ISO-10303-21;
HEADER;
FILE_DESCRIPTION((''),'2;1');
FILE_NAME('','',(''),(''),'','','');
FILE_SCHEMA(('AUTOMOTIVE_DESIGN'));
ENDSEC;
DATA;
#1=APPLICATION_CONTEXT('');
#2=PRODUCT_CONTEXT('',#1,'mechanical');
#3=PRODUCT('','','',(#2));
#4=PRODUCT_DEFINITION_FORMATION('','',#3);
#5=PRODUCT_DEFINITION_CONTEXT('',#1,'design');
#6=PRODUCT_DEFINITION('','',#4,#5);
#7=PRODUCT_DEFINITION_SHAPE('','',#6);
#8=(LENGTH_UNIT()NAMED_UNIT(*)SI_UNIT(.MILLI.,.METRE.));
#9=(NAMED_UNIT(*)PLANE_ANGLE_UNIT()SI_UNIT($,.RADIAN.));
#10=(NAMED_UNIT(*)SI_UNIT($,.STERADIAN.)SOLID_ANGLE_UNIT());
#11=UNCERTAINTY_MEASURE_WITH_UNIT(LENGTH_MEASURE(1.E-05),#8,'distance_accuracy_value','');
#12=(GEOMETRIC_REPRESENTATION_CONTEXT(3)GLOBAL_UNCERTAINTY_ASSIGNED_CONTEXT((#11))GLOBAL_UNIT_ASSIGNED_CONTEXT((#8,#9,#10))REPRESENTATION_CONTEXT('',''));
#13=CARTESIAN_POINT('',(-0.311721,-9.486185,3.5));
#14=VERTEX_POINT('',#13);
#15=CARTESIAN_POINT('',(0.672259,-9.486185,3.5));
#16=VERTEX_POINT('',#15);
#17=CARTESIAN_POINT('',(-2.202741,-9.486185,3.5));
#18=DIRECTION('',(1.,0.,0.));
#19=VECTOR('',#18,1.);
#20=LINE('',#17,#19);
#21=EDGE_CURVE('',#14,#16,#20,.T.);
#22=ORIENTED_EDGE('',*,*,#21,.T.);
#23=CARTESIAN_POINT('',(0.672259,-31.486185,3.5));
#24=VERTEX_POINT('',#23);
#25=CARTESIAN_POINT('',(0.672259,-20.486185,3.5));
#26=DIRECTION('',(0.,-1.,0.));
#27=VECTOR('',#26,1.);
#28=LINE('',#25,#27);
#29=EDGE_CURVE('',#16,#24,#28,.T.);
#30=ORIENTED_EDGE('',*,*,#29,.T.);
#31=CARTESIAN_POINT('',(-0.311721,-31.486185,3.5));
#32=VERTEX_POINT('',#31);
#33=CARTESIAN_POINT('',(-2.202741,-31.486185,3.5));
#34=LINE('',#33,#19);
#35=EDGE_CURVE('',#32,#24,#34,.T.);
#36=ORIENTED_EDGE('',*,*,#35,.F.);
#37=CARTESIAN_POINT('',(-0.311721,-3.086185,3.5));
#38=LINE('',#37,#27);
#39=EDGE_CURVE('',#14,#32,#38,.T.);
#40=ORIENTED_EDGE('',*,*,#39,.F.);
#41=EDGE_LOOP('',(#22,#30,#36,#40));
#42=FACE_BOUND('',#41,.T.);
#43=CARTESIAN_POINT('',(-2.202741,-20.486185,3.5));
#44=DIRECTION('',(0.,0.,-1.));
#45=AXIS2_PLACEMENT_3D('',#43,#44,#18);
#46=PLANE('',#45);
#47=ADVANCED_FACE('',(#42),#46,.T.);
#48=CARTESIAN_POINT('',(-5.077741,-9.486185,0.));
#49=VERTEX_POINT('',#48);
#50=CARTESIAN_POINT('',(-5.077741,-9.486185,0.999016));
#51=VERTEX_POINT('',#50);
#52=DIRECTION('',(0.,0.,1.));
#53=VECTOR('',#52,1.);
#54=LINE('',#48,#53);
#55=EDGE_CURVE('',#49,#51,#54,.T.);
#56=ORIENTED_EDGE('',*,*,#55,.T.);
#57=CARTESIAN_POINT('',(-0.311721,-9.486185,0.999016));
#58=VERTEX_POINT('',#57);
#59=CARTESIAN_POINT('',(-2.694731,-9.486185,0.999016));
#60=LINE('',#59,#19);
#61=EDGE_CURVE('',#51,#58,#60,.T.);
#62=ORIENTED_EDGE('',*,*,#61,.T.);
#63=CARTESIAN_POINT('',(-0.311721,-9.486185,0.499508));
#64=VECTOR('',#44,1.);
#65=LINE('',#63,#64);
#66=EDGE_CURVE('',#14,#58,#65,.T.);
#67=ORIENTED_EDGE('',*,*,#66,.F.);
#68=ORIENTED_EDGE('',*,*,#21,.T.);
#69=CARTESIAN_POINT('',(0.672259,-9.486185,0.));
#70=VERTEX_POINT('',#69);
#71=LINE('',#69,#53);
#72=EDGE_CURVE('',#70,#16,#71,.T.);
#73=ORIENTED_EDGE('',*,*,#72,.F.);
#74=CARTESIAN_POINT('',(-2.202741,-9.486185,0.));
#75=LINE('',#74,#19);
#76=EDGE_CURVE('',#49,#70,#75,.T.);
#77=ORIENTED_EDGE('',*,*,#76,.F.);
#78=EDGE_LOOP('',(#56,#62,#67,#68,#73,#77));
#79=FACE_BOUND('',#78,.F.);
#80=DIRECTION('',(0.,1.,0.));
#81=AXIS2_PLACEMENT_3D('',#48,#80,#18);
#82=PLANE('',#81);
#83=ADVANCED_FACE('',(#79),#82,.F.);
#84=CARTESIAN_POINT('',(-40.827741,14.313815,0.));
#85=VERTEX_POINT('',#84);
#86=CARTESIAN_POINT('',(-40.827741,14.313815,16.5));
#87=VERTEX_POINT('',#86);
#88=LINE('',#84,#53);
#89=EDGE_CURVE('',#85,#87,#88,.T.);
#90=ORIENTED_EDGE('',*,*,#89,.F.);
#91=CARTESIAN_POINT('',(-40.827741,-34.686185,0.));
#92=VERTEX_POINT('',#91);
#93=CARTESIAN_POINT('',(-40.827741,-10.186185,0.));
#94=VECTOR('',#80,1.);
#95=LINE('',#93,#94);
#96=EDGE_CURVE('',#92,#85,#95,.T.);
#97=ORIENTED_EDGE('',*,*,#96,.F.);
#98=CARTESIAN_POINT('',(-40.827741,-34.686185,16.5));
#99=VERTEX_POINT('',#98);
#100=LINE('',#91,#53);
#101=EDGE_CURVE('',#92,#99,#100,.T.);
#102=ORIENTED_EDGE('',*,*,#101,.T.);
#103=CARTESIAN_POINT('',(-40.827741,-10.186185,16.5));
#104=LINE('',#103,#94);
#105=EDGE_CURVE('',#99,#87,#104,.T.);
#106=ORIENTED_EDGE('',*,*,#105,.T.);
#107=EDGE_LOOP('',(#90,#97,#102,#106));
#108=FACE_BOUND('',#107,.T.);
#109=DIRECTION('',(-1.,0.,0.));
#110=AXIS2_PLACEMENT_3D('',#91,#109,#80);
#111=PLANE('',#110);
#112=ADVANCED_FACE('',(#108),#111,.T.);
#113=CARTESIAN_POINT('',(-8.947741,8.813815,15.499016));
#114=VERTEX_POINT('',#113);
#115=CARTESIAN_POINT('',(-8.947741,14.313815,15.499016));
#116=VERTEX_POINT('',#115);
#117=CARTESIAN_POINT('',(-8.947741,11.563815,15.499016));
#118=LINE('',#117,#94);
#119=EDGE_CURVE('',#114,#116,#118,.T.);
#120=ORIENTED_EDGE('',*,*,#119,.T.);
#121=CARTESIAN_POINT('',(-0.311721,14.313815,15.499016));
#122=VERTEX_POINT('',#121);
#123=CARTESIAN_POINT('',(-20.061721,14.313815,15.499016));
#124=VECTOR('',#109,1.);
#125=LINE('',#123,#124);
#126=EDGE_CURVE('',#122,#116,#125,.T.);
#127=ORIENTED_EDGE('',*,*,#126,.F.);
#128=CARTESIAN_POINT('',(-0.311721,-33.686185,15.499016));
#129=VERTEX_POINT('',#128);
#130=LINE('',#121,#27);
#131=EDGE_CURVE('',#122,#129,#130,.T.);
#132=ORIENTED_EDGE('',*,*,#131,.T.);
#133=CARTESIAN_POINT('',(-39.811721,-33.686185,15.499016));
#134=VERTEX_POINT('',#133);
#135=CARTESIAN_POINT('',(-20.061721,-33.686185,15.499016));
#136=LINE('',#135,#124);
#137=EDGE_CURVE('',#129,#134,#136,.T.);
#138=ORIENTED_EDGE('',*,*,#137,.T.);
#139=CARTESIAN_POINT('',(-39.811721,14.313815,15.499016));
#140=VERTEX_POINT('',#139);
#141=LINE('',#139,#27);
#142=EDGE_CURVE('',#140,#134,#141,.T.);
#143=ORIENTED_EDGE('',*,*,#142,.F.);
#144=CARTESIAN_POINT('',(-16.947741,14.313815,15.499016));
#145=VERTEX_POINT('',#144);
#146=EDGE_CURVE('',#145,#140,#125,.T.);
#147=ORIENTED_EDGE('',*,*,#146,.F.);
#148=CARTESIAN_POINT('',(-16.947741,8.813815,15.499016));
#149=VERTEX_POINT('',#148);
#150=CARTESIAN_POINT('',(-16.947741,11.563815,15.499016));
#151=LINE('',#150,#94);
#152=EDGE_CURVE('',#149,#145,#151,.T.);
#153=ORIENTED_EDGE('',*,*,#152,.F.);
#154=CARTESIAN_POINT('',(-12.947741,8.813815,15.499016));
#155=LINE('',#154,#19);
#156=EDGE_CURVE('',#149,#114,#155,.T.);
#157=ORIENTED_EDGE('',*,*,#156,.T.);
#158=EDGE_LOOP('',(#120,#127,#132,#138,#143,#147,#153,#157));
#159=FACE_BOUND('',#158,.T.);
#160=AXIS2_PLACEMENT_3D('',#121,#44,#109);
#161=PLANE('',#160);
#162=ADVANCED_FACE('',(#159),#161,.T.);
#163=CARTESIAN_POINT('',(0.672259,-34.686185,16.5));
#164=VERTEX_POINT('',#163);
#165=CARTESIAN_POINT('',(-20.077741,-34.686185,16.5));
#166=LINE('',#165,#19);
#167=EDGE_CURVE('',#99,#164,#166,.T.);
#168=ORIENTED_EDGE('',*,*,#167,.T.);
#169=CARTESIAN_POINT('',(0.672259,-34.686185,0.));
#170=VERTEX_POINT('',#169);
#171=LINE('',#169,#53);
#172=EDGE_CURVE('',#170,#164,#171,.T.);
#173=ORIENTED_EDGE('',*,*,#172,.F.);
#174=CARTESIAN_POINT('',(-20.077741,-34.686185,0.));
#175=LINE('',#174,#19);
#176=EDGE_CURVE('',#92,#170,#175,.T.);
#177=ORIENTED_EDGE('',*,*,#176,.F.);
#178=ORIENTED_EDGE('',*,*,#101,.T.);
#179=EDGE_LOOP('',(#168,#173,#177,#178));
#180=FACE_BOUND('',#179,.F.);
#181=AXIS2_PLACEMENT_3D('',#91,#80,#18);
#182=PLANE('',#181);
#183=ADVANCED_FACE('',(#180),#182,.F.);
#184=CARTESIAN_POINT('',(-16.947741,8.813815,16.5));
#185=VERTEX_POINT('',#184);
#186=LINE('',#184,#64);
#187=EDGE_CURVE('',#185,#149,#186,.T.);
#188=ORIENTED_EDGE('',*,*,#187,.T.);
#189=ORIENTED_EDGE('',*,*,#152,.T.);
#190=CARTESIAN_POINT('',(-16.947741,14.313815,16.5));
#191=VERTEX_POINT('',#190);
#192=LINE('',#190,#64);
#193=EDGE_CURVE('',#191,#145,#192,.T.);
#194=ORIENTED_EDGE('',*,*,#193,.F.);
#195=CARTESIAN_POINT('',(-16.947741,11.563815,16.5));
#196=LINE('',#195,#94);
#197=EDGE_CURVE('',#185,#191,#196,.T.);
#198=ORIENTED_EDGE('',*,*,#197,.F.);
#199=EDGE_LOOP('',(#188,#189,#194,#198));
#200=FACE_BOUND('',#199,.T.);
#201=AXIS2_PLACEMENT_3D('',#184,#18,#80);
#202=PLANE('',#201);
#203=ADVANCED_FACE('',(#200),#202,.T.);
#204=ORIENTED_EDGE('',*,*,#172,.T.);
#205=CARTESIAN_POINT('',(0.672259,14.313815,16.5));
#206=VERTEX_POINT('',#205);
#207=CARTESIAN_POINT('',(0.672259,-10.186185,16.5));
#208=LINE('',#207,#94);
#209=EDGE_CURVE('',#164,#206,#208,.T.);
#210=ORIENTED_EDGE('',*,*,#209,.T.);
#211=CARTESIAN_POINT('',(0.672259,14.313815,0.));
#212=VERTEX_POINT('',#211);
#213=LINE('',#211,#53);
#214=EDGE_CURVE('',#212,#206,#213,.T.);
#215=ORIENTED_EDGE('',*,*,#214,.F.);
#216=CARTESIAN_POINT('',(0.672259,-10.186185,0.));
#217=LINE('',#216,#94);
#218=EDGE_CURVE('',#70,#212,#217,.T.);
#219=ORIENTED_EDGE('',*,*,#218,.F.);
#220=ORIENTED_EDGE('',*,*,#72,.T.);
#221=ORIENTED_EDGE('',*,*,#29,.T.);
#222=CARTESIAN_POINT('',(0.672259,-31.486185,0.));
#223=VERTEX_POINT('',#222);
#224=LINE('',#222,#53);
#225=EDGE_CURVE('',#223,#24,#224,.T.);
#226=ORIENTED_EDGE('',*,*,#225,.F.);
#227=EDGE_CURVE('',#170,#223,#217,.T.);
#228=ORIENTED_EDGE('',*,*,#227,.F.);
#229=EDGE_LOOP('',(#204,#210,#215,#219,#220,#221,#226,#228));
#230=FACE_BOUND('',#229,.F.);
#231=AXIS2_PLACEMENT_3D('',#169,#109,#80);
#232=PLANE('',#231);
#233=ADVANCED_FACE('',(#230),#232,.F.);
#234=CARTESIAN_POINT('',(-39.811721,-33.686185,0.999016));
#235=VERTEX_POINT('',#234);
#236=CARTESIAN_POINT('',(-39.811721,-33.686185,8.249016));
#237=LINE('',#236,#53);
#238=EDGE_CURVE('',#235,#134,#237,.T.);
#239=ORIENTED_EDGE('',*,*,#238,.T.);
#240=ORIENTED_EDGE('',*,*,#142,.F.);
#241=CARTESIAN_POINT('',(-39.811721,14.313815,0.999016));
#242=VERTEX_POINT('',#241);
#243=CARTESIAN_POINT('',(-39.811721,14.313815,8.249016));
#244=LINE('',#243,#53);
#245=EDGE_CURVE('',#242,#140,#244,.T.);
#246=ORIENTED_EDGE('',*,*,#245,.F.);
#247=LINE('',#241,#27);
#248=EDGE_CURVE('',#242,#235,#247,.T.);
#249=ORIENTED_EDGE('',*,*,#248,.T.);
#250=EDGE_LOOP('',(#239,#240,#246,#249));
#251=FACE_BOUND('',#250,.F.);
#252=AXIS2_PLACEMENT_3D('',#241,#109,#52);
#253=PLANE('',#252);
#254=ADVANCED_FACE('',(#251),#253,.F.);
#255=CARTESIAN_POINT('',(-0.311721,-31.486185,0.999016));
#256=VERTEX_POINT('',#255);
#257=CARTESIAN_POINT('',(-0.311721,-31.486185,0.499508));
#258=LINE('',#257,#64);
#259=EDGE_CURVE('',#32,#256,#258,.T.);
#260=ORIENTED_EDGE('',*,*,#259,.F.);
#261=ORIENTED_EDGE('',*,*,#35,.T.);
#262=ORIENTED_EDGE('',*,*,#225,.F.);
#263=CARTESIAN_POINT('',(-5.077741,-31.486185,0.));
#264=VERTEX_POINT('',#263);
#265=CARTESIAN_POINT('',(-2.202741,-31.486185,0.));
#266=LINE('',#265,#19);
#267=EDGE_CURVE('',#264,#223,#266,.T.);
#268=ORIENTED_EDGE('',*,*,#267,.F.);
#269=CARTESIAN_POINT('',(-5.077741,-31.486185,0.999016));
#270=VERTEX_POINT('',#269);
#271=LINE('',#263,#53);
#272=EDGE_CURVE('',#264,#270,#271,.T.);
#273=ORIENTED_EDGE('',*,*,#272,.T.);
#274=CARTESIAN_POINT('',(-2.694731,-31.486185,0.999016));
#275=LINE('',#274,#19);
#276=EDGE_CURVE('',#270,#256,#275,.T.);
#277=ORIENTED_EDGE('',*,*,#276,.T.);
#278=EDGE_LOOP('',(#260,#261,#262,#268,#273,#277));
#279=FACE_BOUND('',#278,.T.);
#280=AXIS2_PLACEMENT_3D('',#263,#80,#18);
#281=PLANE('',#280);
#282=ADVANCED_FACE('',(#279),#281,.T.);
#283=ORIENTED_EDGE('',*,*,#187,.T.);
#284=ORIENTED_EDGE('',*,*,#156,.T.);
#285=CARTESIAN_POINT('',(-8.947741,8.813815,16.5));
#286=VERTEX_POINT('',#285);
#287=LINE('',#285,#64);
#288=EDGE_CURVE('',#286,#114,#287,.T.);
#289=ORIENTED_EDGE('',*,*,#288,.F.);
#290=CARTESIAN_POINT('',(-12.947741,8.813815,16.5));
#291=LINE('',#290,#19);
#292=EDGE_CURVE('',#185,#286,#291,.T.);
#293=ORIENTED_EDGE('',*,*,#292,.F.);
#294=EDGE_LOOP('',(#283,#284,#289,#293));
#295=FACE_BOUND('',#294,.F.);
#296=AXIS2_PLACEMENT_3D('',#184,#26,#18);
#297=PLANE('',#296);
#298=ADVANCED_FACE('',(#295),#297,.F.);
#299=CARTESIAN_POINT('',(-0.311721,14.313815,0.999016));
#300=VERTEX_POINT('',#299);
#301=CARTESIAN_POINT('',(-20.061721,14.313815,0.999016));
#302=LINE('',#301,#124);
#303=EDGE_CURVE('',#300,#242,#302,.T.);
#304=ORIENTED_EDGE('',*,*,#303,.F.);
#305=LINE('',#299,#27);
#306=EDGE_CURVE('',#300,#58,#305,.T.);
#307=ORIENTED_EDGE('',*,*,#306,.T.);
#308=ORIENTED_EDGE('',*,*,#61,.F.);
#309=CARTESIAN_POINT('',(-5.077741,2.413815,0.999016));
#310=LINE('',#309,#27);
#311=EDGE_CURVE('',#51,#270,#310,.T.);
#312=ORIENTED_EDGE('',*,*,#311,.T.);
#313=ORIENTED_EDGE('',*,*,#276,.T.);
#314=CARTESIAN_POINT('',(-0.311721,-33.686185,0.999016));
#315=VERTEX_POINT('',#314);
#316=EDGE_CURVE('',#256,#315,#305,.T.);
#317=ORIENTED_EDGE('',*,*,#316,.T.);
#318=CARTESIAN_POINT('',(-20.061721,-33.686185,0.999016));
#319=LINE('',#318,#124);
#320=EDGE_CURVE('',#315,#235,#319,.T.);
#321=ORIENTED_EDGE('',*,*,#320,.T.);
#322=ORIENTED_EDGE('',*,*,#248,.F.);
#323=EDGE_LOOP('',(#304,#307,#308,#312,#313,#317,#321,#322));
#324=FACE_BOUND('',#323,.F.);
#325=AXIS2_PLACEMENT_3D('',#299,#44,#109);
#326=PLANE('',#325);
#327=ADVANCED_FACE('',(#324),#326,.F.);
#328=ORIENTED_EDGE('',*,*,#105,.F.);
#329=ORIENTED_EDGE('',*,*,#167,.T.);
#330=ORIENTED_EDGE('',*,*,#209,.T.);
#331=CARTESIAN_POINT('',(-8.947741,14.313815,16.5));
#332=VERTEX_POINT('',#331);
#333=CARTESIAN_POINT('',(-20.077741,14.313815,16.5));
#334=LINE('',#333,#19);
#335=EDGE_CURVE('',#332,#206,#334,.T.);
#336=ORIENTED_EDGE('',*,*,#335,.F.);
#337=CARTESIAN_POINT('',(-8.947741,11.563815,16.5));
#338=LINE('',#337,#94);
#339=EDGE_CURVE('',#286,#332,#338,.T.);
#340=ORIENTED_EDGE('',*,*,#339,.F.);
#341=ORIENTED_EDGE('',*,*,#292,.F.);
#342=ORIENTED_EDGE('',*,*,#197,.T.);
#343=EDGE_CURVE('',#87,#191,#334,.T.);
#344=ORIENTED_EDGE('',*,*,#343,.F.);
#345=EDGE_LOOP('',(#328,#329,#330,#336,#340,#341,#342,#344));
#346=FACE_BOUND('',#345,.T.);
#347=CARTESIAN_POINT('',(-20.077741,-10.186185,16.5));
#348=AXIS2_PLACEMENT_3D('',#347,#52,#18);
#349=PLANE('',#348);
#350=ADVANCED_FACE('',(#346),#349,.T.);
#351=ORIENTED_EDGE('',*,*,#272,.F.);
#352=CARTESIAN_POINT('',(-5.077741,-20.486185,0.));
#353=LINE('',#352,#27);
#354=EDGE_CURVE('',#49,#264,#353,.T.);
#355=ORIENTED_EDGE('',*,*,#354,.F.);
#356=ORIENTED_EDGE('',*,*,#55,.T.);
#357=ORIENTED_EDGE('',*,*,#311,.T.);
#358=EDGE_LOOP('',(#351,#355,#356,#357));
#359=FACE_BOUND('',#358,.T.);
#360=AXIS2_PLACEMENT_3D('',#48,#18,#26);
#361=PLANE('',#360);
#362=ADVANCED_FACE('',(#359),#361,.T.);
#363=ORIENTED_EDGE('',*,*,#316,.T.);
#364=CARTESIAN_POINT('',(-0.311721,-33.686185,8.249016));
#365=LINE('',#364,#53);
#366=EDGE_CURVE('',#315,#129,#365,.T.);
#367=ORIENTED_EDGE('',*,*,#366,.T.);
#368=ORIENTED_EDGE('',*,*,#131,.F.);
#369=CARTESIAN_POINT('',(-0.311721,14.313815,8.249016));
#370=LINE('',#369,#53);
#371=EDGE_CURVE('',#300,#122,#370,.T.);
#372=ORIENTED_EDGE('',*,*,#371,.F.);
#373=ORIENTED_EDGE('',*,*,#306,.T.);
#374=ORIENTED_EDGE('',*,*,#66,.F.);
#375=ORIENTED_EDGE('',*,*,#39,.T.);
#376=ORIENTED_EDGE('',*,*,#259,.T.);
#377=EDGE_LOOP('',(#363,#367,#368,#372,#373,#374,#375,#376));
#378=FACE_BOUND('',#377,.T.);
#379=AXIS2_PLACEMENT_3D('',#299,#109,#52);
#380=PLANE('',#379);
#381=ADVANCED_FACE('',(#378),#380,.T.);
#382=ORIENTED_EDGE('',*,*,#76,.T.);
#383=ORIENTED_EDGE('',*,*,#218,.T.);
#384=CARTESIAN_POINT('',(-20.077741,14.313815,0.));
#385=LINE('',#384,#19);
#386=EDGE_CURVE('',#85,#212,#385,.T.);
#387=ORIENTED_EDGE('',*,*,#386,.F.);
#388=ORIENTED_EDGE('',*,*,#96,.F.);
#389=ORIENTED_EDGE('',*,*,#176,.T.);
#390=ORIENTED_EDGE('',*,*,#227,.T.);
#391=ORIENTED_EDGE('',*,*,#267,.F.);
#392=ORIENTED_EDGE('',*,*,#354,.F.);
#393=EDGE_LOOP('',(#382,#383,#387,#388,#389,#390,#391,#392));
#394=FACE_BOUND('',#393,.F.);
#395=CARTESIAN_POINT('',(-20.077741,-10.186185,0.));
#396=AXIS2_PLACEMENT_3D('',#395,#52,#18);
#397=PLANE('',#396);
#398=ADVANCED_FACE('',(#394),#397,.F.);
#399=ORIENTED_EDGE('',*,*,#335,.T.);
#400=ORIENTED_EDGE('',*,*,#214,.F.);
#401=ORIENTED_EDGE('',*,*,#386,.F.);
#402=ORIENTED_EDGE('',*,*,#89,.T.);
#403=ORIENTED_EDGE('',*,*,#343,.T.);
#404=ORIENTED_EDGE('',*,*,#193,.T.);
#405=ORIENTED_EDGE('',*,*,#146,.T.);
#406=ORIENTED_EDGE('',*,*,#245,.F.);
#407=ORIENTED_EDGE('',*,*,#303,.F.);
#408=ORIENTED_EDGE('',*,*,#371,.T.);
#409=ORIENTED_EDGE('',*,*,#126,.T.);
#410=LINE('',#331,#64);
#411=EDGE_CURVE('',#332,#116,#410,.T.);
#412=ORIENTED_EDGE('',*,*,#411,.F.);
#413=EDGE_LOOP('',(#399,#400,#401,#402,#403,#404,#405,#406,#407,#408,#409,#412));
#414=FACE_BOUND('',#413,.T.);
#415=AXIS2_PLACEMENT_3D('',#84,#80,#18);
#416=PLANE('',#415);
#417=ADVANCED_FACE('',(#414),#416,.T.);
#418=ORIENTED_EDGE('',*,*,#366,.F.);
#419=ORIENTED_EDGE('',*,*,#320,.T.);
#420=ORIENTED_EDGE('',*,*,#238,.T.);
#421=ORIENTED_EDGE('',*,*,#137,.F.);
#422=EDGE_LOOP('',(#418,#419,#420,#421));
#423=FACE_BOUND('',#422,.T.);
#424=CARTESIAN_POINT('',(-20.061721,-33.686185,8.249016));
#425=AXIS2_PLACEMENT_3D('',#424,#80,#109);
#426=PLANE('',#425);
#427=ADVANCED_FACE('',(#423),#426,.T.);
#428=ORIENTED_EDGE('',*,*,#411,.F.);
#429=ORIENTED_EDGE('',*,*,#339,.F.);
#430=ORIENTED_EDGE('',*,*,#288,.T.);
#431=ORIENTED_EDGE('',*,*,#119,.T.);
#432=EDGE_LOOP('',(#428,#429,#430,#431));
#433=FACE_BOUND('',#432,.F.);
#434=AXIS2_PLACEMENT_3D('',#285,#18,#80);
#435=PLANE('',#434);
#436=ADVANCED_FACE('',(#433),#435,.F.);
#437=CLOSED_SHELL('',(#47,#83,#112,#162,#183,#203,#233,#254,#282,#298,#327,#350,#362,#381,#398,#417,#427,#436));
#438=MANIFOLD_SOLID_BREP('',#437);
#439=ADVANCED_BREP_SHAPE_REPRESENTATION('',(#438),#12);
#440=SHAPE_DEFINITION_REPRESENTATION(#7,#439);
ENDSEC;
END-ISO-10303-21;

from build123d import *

# Parameters (mm, degrees)
F0_W     = 41.5
F0_H     = 49
F1_DEPTH = 16.5
F2_W     = 39.5
F2_H     = 14.5
F3_DEPTH = 48
F4_W     = 8
F4_H     = 5.5
F5_DEPTH = 1.000984
F6_W     = 5.75
F6_H     = 22
F7_DEPTH = 3.5


with BuildPart() as f1:
    # F0 (on Top) → F1 (new body)
    with BuildSketch(Plane.XY):
        with Locations((-20.077741, -10.186185)):
            Rectangle(F0_W, F0_H)
    extrude(amount=F1_DEPTH)

    # F2 (on face) → F3 (cut)
    with BuildSketch(Plane(origin=(0, 14.313815, 0), x_dir=(-1, 0, 0), z_dir=(0, 1, 0))):
        with Locations((20.061721, 8.249016)):
            Rectangle(F2_W, F2_H)
    extrude(amount=-F3_DEPTH, mode=Mode.SUBTRACT)

    # F4 (on face) → F5 (cut, through all)
    with BuildSketch(Plane.XY.offset(16.5)):
        with Locations((-12.947741, 11.563815)):
            Rectangle(F4_W, F4_H)
    extrude(amount=-F5_DEPTH, mode=Mode.SUBTRACT)

    # F6 (on face) → F7 (cut)
    with BuildSketch(Plane(origin=(0, 0, 0), x_dir=(1, 0, 0), z_dir=(0, 0, -1))):
        with Locations((-2.202741, 20.486185)):
            Rectangle(F6_W, F6_H)
    extrude(amount=-F7_DEPTH, mode=Mode.SUBTRACT)


solid = f1.part
